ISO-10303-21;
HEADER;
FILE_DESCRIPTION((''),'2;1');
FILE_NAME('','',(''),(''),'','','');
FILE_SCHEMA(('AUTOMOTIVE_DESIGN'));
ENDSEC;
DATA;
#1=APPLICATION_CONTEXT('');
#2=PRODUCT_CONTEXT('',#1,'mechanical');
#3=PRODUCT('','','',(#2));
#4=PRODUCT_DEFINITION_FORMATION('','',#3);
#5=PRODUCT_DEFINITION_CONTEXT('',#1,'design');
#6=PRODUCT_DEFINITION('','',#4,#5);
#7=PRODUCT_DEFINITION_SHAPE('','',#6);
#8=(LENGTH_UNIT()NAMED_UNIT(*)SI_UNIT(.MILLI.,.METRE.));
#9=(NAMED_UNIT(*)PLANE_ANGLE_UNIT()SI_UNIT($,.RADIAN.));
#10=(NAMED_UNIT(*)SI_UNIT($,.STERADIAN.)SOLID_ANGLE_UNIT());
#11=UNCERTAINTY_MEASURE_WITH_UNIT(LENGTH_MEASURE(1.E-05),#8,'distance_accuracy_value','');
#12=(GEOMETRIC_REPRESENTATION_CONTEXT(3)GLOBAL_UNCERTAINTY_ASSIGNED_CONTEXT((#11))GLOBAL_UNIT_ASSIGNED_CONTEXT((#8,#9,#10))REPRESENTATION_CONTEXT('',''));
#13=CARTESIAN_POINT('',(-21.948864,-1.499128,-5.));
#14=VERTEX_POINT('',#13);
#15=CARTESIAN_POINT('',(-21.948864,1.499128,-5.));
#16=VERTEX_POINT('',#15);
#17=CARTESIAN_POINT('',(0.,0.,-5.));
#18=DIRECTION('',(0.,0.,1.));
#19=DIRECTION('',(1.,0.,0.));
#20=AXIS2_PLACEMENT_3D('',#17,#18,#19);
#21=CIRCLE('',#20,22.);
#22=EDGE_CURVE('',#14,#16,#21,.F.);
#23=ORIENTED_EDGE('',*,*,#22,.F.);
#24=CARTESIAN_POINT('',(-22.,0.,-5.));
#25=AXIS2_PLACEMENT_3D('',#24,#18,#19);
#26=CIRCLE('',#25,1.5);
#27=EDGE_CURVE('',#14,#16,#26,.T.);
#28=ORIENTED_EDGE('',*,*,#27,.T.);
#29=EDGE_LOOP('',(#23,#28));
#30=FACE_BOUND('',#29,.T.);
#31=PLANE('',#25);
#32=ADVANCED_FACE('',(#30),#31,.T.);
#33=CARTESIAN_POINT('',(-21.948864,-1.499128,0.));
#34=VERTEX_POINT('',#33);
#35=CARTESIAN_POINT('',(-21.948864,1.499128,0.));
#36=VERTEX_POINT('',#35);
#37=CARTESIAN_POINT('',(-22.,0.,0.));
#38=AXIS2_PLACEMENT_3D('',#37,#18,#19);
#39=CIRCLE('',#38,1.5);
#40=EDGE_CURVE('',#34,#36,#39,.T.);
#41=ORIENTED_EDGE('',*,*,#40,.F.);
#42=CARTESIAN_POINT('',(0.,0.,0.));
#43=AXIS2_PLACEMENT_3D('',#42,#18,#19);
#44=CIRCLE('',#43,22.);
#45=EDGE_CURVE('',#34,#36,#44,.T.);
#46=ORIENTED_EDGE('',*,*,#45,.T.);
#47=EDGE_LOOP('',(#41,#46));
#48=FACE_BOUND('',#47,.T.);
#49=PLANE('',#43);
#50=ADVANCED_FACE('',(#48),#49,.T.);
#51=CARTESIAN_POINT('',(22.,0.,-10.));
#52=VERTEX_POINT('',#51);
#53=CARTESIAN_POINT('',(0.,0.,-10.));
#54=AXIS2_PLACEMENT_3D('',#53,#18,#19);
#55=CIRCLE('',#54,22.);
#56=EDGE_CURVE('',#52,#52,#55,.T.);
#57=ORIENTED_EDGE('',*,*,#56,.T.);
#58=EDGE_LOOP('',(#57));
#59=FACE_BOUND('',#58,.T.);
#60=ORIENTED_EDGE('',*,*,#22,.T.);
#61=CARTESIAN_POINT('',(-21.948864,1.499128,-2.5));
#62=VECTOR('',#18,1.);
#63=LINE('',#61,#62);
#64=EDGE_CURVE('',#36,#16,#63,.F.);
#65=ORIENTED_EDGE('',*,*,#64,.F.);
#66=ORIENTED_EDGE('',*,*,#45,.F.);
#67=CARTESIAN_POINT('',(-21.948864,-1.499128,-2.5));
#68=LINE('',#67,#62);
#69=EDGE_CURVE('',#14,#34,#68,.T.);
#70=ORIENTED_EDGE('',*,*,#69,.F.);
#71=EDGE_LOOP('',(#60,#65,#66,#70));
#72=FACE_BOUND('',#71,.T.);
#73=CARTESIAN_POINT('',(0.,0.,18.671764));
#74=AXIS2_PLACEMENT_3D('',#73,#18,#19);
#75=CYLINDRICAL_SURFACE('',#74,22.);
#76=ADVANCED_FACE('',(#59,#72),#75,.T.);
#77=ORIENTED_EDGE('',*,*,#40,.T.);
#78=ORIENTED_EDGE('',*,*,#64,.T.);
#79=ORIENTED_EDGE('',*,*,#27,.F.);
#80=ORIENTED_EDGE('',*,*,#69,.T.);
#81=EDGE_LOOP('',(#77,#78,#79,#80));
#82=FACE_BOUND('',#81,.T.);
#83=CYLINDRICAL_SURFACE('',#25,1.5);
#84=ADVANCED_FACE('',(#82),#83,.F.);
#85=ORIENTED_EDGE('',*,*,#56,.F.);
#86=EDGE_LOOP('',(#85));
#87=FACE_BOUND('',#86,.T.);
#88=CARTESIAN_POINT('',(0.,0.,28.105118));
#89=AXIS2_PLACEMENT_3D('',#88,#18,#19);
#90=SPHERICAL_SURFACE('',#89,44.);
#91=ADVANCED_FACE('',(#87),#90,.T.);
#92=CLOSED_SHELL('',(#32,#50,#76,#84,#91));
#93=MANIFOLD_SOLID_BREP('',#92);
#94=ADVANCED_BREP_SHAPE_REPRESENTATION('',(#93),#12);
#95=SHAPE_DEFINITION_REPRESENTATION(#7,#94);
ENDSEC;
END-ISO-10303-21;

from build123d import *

# Parameters (mm, degrees)
SKETCH2_R          = 1.5
CUT_EXTRUDE1_DEPTH = 5


with BuildPart() as part:
    # Sketch1 → Revolve1 (revolve)
    with BuildSketch(Plane(origin=(0, 0, 0), x_dir=(1, 0, 0), z_dir=(0, 1, 0))):
        with BuildLine():
            Line((0, 15.894882233), (0, 0))
            Line((0, 0), (22, 0))
            Line((22, 0), (22, 10))
            ThreePointArc((22, 10), (11.388037985, 14.39561859), (0, 15.894882233))
        make_face()
    revolve(axis=Axis((0, 0, 18.671764029), (0, 0, -1)))

    # Sketch2 → Cut-Extrude1 (cut)
    with BuildSketch(Plane.XY):
        with Locations((-22, 0)):
            Circle(SKETCH2_R)
    extrude(amount=-CUT_EXTRUDE1_DEPTH, mode=Mode.SUBTRACT)


solid = part.part
